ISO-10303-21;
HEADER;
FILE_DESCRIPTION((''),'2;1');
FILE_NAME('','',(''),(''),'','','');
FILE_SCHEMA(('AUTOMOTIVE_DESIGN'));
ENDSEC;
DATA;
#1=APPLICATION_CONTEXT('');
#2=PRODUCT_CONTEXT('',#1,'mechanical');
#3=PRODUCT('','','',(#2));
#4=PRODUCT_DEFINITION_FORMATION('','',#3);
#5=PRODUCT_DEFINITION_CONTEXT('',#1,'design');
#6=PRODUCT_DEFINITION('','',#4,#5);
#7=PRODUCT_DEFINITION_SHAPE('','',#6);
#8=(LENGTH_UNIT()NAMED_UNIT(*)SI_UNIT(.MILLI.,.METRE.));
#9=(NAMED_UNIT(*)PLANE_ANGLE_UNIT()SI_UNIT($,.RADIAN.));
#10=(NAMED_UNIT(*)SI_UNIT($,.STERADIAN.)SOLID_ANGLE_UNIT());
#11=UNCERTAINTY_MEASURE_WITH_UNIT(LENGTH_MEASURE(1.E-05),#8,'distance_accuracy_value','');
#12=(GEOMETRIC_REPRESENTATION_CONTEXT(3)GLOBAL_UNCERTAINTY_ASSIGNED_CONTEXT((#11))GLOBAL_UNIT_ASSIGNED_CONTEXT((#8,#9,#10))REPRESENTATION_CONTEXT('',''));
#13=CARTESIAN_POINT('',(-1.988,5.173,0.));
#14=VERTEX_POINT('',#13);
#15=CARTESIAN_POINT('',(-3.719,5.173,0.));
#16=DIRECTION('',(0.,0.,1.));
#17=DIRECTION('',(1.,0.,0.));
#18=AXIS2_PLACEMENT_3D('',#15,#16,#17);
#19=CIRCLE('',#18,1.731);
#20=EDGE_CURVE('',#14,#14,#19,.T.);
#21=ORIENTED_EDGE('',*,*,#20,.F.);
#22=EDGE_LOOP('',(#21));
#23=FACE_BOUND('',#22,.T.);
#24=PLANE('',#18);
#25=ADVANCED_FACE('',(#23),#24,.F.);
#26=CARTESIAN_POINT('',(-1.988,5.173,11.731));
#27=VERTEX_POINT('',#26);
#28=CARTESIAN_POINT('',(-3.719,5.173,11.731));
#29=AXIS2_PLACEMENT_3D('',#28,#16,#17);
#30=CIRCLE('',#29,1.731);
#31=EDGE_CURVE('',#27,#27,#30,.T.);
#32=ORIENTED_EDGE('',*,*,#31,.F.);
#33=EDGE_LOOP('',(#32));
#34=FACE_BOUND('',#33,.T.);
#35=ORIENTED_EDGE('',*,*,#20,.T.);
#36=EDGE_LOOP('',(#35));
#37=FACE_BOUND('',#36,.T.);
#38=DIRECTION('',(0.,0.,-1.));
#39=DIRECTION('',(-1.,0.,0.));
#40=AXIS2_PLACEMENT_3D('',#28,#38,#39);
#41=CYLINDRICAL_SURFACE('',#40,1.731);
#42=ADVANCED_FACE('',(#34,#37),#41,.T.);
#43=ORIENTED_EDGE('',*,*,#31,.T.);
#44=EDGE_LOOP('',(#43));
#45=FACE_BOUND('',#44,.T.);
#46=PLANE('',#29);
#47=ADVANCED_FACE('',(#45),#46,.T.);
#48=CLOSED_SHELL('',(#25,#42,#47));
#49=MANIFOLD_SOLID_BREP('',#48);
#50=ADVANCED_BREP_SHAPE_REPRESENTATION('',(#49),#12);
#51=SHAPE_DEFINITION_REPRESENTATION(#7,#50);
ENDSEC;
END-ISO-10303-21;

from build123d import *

# Parameters (mm, degrees)
CURVESKETCH_R   = 1.731
CURVEBOSS_DEPTH = 11.731


with BuildPart() as part:
    # CurveSketch → CurveBoss (new body)
    with BuildSketch(Plane.XY):
        with Locations((-3.719, 5.173)):
            Circle(CURVESKETCH_R)
    extrude(amount=CURVEBOSS_DEPTH)


solid = part.part
